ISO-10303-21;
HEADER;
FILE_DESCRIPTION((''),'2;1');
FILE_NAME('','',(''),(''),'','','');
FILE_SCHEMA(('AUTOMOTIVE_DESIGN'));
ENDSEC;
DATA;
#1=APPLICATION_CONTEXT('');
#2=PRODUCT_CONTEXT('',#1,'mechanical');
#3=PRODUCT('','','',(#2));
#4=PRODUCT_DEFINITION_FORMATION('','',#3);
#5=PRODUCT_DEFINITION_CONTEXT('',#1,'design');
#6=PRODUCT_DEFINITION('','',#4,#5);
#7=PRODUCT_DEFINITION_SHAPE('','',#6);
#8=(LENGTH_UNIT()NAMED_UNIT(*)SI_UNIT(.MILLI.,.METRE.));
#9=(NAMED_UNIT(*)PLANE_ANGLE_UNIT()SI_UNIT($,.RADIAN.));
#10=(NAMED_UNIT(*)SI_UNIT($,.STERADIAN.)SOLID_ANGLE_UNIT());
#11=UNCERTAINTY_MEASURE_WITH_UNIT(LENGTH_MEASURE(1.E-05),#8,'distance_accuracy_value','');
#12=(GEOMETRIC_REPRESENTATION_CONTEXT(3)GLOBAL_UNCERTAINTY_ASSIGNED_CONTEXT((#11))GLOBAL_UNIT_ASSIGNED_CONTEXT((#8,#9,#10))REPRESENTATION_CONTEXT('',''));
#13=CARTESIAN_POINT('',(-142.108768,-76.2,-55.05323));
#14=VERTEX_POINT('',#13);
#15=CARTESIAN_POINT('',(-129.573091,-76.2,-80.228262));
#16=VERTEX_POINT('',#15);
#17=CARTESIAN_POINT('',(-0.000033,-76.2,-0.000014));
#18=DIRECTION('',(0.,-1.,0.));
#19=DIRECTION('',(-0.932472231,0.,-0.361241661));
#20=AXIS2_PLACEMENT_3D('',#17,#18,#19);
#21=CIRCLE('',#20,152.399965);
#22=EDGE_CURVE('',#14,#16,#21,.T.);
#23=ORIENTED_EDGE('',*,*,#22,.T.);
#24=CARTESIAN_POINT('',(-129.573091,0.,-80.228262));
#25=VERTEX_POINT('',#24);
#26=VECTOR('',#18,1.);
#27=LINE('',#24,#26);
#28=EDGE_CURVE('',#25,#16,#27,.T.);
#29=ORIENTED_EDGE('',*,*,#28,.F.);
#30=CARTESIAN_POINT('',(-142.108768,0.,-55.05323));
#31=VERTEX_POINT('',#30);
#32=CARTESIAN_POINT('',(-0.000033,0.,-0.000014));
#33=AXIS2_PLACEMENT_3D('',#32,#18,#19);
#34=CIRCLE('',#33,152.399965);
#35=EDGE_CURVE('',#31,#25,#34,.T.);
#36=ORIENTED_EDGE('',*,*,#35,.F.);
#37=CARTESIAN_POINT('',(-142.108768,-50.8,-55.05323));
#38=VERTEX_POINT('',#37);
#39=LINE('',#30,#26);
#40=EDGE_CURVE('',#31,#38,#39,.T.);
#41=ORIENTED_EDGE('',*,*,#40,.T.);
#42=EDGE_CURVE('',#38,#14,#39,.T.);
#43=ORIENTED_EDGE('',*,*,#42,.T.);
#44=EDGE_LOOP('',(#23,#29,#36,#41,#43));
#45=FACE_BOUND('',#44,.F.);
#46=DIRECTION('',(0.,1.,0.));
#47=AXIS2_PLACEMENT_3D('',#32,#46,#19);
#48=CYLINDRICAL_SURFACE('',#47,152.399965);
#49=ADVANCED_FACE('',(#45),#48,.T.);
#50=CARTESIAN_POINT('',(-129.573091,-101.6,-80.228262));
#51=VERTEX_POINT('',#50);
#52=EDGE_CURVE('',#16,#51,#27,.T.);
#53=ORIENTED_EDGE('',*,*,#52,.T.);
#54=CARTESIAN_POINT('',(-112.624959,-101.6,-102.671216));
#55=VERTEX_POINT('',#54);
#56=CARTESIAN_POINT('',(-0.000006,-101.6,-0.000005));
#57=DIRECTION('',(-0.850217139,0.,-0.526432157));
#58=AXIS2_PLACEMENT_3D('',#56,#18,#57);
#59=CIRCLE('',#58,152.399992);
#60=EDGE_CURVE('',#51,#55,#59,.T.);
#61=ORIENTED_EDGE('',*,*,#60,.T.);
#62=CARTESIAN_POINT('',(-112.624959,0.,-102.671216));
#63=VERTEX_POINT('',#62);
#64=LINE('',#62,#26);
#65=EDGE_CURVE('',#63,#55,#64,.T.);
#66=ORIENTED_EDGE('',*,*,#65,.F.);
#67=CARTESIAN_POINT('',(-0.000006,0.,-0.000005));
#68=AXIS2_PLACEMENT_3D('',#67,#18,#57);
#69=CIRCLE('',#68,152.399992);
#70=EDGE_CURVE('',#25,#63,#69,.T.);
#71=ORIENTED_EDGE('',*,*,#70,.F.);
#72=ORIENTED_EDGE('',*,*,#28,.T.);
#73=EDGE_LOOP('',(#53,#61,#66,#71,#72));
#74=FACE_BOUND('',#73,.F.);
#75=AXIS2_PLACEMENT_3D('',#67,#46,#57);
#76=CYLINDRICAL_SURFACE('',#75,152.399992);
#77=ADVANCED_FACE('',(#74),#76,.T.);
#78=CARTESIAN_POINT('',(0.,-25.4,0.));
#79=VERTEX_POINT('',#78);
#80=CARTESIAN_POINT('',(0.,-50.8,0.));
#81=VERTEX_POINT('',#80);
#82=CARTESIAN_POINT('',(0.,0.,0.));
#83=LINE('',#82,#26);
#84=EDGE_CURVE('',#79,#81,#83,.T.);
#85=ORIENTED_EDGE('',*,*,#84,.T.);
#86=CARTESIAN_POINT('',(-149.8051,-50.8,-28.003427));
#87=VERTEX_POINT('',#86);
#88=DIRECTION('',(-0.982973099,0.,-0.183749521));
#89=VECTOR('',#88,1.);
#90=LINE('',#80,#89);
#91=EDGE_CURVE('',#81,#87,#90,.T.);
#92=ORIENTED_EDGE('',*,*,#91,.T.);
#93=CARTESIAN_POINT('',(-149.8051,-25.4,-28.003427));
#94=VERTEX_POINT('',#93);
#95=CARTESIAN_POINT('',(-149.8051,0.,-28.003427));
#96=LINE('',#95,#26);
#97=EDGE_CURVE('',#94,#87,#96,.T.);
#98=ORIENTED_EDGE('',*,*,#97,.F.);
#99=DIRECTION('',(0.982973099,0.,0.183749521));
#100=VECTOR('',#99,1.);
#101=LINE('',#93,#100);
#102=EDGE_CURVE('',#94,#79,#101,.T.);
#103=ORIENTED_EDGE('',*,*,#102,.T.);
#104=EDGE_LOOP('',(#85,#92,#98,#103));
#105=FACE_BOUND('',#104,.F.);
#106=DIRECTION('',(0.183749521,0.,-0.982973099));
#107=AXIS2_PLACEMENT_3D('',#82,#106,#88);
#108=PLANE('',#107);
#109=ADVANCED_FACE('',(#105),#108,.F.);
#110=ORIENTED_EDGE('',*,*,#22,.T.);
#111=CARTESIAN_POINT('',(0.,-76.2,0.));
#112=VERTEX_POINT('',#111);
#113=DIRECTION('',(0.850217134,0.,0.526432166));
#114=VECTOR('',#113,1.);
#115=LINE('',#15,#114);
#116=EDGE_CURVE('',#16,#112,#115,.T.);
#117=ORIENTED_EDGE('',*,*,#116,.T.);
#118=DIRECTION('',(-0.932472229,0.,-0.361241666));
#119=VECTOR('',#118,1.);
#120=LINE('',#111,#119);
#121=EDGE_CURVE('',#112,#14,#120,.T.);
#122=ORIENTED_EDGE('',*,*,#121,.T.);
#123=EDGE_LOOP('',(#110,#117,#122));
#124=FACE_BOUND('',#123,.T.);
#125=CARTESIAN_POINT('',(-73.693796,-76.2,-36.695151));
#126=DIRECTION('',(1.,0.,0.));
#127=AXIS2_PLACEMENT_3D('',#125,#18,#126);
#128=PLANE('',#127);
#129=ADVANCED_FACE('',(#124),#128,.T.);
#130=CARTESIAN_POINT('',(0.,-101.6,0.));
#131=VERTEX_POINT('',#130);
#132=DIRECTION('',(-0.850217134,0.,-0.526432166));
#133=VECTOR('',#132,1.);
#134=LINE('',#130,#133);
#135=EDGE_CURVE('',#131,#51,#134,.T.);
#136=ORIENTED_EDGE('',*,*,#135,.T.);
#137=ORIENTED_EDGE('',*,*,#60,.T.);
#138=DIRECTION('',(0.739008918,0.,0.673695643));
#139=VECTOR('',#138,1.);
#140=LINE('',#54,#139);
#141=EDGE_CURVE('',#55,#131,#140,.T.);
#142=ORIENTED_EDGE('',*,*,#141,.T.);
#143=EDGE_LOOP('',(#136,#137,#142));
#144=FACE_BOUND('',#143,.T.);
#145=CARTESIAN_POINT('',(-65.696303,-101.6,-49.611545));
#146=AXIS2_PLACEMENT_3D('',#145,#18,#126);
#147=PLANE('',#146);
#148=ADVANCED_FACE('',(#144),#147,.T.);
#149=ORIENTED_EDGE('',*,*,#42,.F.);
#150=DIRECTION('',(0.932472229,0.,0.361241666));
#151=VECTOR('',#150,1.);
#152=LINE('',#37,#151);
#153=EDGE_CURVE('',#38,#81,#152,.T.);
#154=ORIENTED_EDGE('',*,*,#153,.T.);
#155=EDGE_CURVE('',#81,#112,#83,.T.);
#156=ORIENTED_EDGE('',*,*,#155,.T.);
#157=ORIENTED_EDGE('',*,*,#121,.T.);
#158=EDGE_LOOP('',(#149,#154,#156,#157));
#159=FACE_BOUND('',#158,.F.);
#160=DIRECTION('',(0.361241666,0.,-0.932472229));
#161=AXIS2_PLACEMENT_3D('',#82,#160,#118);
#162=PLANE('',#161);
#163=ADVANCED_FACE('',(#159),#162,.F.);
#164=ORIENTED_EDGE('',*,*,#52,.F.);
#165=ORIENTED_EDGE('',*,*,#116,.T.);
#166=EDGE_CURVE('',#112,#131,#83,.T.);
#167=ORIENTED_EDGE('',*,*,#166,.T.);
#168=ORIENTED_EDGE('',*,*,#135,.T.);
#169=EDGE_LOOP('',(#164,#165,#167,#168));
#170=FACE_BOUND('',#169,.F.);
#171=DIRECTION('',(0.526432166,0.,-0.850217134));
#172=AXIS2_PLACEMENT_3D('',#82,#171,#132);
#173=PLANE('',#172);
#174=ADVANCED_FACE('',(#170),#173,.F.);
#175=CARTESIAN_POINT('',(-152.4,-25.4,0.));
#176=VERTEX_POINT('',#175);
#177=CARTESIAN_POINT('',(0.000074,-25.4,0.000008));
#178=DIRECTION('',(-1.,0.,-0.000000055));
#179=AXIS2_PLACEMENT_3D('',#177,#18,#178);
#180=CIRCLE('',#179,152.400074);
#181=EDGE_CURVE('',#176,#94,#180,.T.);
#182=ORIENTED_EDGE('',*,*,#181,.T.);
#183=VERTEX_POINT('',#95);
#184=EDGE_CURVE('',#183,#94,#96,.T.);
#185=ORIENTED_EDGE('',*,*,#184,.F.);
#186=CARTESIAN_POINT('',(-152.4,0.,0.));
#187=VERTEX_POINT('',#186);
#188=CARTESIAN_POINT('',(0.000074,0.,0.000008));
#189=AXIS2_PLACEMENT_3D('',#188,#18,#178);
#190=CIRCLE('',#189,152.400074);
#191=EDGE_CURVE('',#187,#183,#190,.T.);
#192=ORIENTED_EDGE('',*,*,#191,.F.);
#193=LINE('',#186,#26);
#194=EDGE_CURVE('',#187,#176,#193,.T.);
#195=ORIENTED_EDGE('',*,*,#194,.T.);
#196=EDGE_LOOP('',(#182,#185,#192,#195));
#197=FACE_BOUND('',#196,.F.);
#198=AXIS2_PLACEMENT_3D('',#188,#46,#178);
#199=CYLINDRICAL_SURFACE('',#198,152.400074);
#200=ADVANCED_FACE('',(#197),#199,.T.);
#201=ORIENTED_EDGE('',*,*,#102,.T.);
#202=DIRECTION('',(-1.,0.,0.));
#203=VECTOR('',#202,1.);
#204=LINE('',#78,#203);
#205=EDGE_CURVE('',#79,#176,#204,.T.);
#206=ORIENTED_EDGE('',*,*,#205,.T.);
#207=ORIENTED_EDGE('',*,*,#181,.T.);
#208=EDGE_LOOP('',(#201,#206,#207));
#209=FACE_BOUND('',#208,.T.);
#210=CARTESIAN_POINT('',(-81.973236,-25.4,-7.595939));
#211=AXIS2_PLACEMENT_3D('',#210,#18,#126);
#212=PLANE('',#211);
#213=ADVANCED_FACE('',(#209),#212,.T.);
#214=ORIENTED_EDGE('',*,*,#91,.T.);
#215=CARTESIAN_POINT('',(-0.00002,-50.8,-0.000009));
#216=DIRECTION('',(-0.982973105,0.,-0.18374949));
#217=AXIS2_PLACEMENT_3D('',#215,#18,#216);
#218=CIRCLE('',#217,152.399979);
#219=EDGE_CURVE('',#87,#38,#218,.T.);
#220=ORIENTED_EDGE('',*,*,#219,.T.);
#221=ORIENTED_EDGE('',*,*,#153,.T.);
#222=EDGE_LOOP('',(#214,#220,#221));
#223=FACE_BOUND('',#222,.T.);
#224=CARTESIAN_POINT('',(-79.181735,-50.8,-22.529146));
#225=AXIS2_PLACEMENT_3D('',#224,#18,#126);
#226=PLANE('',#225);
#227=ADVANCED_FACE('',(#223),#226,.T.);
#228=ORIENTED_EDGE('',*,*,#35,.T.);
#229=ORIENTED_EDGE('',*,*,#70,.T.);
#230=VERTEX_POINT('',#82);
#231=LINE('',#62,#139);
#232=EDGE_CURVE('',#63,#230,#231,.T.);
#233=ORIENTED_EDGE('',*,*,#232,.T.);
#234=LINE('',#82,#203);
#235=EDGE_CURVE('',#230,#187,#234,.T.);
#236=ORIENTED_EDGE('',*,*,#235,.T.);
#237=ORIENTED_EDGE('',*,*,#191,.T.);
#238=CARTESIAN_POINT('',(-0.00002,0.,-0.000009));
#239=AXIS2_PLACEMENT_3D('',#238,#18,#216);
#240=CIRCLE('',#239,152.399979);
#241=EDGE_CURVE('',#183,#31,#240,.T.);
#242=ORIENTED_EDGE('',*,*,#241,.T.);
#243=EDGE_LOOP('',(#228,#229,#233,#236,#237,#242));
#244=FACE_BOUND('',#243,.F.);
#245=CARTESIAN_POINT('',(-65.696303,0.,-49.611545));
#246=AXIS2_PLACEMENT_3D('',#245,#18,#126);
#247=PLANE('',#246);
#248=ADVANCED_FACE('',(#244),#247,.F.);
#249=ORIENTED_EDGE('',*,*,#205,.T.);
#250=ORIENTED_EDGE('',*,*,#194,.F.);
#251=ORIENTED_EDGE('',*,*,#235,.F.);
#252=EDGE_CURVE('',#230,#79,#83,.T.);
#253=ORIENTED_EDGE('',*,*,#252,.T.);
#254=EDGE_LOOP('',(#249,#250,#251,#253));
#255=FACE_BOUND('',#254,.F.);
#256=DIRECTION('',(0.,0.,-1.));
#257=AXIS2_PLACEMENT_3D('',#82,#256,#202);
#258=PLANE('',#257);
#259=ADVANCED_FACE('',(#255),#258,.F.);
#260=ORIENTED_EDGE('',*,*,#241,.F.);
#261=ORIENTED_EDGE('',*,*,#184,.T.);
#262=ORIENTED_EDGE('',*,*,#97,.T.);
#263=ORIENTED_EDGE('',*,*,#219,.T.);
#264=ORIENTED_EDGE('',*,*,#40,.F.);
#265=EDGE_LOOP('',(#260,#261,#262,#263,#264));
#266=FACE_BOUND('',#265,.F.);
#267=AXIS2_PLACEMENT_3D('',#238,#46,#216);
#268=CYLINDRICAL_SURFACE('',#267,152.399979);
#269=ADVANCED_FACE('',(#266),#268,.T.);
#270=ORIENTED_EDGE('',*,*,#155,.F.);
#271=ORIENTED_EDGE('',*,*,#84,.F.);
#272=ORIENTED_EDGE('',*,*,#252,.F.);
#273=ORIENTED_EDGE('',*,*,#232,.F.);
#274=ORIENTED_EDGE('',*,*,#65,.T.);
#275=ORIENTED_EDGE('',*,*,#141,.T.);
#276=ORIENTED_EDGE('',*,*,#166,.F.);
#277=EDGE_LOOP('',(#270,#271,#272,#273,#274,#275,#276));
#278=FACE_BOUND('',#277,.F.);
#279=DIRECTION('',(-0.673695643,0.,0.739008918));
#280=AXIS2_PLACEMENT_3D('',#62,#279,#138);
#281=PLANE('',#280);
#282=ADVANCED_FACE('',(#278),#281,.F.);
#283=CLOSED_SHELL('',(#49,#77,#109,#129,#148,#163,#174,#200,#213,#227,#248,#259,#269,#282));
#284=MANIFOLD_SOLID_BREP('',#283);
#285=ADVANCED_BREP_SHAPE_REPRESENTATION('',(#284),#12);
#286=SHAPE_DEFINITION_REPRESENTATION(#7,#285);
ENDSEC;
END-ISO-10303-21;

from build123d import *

# Parameters (mm, degrees)
F1_DEPTH = 25.4
F2_DEPTH = 50.8
F3_DEPTH = 76.2
F4_DEPTH = 101.6


with BuildPart() as f1:
    # F0 (on Front) → F1 (new body)
    with BuildSketch(Plane.XZ):
        with BuildLine():
            Line((0, 0), (-152.4, 0))
            ThreePointArc((-152.4, 0), (-151.749888, -14.061698), (-149.8051, -28.003427))
            Line((-149.8051, -28.003427), (0, 0))
        make_face()
    extrude(amount=F1_DEPTH)

    # F0 (on Front) → F2 (join)
    with BuildSketch(Plane.XZ):
        with BuildLine():
            Line((-142.108768, -55.05323), (0, 0))
            Line((0, 0), (-149.8051, -28.003427))
            ThreePointArc((-149.8051, -28.003427), (-146.582228, -41.70624), (-142.108768, -55.05323))
        make_face()
    extrude(amount=F2_DEPTH)

    # F0 (on Front) → F3 (join)
    with BuildSketch(Plane.XZ):
        with BuildLine():
            Line((-129.573091, -80.228262), (0, 0))
            Line((0, 0), (-142.108768, -55.05323))
            ThreePointArc((-142.108768, -55.05323), (-136.422886, -67.930525), (-129.573091, -80.228262))
        make_face()
    extrude(amount=F3_DEPTH)

    # F0 (on Front) → F4 (join)
    with BuildSketch(Plane.XZ):
        with BuildLine():
            Line((-112.624959, -102.671216), (0, 0))
            Line((0, 0), (-129.573091, -80.228262))
            ThreePointArc((-129.573091, -80.228262), (-121.617825, -91.841519), (-112.624959, -102.671216))
        make_face()
    extrude(amount=F4_DEPTH)


solid = f1.part
